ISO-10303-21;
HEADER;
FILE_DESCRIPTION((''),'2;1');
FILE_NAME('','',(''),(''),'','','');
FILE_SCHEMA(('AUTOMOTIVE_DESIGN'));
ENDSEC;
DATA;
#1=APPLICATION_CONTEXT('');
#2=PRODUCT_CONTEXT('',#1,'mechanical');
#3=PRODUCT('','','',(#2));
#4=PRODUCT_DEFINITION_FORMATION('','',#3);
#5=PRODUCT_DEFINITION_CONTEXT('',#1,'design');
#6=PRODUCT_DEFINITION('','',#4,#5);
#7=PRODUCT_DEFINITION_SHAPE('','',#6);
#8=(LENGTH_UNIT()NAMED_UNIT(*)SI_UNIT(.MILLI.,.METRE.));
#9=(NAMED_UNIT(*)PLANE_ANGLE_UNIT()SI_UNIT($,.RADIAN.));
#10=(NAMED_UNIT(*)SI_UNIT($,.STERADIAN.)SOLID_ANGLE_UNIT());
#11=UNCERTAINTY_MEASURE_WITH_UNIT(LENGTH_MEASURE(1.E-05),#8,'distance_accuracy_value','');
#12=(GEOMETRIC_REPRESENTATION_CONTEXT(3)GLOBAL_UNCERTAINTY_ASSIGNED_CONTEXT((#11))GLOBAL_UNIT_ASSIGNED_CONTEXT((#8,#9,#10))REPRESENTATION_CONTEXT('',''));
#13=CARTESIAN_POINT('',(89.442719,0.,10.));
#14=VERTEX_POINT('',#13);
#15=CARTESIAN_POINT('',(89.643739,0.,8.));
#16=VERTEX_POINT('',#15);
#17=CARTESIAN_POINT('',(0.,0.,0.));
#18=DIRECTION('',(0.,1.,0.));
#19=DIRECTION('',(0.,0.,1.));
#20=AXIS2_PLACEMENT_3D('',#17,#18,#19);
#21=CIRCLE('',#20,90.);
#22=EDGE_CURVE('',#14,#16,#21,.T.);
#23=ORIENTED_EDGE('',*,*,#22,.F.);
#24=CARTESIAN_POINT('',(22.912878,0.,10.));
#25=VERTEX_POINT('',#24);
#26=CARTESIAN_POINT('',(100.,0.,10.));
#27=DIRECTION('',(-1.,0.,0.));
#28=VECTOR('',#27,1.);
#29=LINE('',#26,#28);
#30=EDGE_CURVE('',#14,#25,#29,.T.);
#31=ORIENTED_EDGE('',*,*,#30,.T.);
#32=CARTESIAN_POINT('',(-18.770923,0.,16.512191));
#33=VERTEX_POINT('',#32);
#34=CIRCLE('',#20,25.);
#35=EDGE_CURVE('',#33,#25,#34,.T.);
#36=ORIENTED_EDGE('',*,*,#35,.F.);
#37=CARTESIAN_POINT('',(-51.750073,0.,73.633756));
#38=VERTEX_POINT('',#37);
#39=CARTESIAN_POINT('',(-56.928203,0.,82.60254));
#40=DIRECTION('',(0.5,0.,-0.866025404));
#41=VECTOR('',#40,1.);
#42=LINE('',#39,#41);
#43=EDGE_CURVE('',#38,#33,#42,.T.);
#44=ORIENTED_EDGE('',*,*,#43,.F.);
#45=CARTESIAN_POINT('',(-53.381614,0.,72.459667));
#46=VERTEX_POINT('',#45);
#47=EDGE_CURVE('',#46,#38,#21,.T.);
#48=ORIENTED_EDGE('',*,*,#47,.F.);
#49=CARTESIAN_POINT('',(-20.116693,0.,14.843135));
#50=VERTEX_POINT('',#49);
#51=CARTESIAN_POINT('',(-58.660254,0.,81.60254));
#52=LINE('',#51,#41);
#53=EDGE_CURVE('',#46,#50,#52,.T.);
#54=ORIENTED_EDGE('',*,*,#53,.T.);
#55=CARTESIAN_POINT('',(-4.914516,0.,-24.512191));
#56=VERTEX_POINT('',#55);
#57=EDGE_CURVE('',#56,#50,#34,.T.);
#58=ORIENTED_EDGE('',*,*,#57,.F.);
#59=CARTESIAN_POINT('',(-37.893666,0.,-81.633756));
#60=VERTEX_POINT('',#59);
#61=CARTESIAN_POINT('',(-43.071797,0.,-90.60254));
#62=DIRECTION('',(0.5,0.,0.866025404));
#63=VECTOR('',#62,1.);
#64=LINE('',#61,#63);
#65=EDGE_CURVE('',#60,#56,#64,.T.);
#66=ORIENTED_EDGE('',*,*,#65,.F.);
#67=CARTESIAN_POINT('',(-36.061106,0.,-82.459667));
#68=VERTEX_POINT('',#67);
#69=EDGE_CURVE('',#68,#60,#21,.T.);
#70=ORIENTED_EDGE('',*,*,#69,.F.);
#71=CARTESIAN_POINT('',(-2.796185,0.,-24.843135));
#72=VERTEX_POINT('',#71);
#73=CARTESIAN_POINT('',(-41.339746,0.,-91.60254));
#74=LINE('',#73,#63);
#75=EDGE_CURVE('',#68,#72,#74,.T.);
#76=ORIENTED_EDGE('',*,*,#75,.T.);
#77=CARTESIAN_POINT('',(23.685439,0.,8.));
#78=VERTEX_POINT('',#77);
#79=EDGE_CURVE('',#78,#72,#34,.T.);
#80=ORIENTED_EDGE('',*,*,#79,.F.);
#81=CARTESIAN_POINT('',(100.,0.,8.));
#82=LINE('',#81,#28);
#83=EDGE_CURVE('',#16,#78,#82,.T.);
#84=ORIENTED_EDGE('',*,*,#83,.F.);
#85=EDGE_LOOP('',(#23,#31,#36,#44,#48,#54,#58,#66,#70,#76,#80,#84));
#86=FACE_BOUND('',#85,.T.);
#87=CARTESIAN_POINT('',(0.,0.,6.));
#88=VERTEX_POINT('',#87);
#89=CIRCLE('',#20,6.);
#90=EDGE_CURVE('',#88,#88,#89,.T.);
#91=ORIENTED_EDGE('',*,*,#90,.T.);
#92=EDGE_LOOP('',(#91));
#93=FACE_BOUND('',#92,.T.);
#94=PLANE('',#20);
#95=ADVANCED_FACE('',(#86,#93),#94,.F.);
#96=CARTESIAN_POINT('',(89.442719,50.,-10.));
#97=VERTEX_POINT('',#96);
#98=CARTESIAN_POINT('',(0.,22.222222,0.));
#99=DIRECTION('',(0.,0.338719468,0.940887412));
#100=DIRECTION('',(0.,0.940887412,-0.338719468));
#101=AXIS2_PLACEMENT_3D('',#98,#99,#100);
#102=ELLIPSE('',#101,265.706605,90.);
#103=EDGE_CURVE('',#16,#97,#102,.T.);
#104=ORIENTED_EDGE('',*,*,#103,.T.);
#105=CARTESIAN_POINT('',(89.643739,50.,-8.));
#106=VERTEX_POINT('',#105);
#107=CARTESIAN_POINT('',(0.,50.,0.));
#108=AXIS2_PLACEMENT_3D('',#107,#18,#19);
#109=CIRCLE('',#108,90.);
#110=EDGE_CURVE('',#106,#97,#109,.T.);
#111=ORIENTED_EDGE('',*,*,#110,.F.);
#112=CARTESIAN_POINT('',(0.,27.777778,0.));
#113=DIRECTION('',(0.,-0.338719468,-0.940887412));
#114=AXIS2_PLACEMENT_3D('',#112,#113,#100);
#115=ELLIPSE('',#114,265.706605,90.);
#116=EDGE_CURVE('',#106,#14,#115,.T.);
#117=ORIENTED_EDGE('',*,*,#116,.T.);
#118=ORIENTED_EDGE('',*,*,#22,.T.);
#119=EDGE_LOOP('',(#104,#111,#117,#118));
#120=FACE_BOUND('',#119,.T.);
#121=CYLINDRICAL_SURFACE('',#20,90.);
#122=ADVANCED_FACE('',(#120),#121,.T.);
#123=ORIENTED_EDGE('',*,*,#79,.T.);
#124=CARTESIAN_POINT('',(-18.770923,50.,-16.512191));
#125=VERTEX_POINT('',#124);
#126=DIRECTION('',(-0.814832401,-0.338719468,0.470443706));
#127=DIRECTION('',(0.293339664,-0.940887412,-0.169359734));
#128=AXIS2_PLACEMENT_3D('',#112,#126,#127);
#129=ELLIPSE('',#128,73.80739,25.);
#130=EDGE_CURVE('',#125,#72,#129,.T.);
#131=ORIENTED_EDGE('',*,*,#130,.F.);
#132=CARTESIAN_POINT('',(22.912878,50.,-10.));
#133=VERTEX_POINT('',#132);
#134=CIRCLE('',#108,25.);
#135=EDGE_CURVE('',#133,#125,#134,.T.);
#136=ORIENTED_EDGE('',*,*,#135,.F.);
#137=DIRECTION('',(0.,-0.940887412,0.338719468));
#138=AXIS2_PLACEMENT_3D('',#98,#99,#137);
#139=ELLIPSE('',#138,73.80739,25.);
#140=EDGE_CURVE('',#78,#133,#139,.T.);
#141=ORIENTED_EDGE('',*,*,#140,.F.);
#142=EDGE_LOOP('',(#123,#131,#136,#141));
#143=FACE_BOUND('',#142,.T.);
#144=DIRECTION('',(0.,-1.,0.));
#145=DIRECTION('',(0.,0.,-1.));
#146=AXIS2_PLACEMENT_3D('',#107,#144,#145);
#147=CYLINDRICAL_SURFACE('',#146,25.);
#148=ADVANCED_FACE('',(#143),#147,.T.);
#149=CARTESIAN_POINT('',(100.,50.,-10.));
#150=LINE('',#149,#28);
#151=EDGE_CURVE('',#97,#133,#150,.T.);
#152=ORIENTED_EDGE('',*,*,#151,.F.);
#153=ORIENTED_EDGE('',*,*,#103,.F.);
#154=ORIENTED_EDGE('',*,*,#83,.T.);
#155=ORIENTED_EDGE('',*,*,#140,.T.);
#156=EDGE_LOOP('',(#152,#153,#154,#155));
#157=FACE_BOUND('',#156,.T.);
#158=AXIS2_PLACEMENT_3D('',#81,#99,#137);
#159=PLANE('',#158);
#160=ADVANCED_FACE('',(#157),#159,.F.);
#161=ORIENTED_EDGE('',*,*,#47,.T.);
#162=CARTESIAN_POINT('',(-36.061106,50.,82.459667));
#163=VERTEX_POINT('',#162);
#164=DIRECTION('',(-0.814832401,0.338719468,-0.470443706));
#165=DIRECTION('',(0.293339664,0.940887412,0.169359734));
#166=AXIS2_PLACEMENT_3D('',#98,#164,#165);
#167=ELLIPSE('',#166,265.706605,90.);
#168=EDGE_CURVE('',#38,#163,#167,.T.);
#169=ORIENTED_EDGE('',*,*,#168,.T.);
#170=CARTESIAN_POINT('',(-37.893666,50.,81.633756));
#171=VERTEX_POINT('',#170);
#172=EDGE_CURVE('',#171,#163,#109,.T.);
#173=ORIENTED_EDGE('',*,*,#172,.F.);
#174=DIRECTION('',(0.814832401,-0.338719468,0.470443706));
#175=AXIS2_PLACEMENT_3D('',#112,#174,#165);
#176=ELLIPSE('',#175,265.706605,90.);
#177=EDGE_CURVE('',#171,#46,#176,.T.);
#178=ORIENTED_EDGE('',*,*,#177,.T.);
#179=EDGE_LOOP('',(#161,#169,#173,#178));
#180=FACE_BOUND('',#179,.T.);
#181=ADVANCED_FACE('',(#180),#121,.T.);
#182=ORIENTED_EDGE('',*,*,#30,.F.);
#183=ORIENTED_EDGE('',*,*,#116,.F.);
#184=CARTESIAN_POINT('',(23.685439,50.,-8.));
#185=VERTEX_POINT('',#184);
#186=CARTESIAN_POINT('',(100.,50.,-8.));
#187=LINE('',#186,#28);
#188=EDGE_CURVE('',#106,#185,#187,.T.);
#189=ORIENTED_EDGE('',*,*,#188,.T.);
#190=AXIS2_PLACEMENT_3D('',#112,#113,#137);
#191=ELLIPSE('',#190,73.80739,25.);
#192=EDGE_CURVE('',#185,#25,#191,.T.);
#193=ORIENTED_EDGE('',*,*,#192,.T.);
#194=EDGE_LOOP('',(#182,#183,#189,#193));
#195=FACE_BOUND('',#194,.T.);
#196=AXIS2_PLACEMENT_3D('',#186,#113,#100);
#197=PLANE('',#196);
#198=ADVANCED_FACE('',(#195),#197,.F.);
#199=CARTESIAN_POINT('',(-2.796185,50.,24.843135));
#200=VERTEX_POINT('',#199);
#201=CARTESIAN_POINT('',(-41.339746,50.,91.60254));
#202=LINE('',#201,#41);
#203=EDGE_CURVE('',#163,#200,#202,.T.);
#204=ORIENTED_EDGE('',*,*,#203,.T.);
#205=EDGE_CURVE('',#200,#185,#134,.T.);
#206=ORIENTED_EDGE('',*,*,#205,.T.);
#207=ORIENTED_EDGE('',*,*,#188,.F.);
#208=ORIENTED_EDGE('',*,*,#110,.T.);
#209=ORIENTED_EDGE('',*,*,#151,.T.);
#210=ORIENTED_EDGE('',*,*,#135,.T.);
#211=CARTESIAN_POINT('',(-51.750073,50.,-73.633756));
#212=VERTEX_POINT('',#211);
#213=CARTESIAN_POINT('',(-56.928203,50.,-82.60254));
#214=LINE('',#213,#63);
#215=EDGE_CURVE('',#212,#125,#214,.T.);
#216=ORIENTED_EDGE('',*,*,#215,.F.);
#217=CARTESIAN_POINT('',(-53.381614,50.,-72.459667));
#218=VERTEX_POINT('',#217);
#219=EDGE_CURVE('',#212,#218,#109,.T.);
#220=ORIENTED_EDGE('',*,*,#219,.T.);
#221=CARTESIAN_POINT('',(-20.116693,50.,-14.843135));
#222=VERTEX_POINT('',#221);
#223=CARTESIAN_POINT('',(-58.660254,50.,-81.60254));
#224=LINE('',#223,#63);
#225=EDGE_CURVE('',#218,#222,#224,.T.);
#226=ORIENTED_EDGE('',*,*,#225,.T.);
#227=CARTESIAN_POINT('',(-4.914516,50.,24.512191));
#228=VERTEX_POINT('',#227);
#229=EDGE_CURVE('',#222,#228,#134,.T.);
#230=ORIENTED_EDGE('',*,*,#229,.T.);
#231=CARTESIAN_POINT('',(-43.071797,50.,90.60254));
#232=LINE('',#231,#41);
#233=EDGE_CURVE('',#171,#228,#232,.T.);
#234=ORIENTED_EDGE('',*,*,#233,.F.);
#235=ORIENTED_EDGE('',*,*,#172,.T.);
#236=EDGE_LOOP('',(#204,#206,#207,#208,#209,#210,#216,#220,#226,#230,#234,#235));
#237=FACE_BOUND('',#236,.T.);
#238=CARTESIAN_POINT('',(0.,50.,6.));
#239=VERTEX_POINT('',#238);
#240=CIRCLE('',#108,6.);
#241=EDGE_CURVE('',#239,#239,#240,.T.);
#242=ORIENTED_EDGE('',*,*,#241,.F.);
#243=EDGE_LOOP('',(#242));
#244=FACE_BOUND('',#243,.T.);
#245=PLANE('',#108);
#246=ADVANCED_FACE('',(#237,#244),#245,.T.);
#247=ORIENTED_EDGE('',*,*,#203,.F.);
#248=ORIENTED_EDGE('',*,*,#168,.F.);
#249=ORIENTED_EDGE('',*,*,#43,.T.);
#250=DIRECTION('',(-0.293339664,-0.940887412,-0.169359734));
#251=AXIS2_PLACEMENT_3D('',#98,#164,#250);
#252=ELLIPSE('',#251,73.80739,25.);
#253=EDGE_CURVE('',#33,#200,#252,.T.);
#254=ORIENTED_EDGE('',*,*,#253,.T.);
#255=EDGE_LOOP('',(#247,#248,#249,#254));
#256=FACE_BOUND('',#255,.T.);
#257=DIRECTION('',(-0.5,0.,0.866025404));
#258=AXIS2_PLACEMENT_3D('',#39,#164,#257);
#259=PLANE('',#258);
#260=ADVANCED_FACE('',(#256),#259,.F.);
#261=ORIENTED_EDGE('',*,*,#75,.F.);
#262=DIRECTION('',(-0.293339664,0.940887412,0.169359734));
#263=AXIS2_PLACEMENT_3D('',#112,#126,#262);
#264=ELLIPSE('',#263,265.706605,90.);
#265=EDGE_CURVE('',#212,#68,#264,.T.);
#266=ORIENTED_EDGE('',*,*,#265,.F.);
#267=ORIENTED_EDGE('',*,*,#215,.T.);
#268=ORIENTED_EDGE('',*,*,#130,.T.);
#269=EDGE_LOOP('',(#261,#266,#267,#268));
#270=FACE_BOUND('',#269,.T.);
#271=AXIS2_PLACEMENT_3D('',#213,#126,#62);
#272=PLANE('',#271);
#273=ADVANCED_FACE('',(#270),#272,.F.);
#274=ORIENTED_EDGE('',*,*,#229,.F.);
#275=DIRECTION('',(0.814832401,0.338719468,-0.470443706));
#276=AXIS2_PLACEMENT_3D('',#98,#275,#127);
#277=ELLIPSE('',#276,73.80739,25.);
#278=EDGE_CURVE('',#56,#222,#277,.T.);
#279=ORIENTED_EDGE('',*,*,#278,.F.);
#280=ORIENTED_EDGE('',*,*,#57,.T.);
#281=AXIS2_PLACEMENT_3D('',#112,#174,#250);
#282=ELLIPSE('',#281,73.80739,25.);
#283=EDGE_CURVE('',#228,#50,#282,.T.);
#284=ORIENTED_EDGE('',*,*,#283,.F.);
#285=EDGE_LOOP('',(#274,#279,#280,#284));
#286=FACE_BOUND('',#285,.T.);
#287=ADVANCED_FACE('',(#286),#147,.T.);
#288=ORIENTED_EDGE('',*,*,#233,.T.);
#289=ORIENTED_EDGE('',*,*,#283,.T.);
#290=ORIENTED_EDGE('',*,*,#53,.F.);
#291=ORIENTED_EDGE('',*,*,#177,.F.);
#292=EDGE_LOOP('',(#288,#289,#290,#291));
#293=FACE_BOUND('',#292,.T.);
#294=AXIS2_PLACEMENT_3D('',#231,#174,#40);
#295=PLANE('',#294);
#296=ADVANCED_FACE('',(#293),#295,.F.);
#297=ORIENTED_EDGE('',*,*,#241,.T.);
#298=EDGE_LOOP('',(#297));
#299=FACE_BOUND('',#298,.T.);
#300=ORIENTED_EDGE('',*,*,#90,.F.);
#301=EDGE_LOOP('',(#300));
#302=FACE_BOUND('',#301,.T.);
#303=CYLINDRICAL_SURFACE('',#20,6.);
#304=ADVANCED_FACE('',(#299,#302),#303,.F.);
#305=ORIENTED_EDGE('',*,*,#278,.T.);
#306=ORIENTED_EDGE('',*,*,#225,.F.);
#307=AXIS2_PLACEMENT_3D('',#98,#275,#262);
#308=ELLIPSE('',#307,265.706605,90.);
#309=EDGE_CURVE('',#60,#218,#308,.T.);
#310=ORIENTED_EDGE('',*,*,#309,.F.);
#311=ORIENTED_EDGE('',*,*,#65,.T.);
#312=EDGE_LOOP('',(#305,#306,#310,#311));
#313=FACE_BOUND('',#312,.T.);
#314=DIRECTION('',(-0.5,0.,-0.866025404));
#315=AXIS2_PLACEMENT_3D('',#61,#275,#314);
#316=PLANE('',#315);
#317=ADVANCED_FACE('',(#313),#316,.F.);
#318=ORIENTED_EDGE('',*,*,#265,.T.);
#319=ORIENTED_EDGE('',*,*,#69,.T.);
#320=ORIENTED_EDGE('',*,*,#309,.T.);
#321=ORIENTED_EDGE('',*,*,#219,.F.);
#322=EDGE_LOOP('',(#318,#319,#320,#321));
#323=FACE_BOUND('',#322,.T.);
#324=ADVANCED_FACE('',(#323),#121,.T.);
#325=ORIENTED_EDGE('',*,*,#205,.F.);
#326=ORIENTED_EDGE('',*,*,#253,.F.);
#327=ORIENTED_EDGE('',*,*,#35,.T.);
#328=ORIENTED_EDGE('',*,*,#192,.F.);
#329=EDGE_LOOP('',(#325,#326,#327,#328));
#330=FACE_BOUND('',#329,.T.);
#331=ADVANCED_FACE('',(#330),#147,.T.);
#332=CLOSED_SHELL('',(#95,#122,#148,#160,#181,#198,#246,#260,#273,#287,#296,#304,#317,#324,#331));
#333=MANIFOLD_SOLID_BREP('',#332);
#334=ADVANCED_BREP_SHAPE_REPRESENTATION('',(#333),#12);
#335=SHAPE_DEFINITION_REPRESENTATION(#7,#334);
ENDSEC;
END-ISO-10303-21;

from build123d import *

# Parameters (mm, degrees)
SKETCH2_R           = 25
BOSS_EXTRUDE1_DEPTH = 50
BOSS_EXTRUDE2_DEPTH = 100
CIRPATTERN1_COUNT   = 3
SKETCH5_R           = 150
SKETCH5_R_2         = 90
CUT_EXTRUDE3_DEPTH  = 51
SKETCH3_R           = 6
CUT_EXTRUDE1_DEPTH  = 51


with BuildPart() as part:
    # Sketch2 → Boss-Extrude1 (new body)
    with BuildSketch(Plane(origin=(0, 0, 0), x_dir=(1, 0, 0), z_dir=(0, 1, 0))):
        Circle(SKETCH2_R)
    extrude(amount=BOSS_EXTRUDE1_DEPTH)

    # Sketch4 → Boss-Extrude2 (add)
    with BuildSketch(Plane(origin=(0, 0, 0), x_dir=(0, 0, -1), z_dir=(1, 0, 0))):
        Polygon((10, 50), (8, 50), (-10, 0), (-8, 0), align=None)
    boss_extrude2 = extrude(amount=BOSS_EXTRUDE2_DEPTH)

    # CirPattern1: Boss-Extrude2 ×3 about axis
    cirpattern1_axis = Axis((0, 0, 0), (0, 1, 0))
    for i in range(1, CIRPATTERN1_COUNT):
        add(boss_extrude2.rotate(cirpattern1_axis, i * 360 / CIRPATTERN1_COUNT))

    # Sketch5 → Cut-Extrude3 (cut, through all)
    with BuildSketch(Plane(origin=(0, 50, 0), x_dir=(1, 0, 0), z_dir=(0, 1, 0))):
        Circle(SKETCH5_R)
        Circle(SKETCH5_R_2, mode=Mode.SUBTRACT)
    extrude(amount=-CUT_EXTRUDE3_DEPTH, mode=Mode.SUBTRACT)

    # Sketch3 → Cut-Extrude1 (cut, through all)
    with BuildSketch(Plane(origin=(0, 50, 0), x_dir=(1, 0, 0), z_dir=(0, 1, 0))):
        Circle(SKETCH3_R)
    extrude(amount=-CUT_EXTRUDE1_DEPTH, mode=Mode.SUBTRACT)


solid = part.part
